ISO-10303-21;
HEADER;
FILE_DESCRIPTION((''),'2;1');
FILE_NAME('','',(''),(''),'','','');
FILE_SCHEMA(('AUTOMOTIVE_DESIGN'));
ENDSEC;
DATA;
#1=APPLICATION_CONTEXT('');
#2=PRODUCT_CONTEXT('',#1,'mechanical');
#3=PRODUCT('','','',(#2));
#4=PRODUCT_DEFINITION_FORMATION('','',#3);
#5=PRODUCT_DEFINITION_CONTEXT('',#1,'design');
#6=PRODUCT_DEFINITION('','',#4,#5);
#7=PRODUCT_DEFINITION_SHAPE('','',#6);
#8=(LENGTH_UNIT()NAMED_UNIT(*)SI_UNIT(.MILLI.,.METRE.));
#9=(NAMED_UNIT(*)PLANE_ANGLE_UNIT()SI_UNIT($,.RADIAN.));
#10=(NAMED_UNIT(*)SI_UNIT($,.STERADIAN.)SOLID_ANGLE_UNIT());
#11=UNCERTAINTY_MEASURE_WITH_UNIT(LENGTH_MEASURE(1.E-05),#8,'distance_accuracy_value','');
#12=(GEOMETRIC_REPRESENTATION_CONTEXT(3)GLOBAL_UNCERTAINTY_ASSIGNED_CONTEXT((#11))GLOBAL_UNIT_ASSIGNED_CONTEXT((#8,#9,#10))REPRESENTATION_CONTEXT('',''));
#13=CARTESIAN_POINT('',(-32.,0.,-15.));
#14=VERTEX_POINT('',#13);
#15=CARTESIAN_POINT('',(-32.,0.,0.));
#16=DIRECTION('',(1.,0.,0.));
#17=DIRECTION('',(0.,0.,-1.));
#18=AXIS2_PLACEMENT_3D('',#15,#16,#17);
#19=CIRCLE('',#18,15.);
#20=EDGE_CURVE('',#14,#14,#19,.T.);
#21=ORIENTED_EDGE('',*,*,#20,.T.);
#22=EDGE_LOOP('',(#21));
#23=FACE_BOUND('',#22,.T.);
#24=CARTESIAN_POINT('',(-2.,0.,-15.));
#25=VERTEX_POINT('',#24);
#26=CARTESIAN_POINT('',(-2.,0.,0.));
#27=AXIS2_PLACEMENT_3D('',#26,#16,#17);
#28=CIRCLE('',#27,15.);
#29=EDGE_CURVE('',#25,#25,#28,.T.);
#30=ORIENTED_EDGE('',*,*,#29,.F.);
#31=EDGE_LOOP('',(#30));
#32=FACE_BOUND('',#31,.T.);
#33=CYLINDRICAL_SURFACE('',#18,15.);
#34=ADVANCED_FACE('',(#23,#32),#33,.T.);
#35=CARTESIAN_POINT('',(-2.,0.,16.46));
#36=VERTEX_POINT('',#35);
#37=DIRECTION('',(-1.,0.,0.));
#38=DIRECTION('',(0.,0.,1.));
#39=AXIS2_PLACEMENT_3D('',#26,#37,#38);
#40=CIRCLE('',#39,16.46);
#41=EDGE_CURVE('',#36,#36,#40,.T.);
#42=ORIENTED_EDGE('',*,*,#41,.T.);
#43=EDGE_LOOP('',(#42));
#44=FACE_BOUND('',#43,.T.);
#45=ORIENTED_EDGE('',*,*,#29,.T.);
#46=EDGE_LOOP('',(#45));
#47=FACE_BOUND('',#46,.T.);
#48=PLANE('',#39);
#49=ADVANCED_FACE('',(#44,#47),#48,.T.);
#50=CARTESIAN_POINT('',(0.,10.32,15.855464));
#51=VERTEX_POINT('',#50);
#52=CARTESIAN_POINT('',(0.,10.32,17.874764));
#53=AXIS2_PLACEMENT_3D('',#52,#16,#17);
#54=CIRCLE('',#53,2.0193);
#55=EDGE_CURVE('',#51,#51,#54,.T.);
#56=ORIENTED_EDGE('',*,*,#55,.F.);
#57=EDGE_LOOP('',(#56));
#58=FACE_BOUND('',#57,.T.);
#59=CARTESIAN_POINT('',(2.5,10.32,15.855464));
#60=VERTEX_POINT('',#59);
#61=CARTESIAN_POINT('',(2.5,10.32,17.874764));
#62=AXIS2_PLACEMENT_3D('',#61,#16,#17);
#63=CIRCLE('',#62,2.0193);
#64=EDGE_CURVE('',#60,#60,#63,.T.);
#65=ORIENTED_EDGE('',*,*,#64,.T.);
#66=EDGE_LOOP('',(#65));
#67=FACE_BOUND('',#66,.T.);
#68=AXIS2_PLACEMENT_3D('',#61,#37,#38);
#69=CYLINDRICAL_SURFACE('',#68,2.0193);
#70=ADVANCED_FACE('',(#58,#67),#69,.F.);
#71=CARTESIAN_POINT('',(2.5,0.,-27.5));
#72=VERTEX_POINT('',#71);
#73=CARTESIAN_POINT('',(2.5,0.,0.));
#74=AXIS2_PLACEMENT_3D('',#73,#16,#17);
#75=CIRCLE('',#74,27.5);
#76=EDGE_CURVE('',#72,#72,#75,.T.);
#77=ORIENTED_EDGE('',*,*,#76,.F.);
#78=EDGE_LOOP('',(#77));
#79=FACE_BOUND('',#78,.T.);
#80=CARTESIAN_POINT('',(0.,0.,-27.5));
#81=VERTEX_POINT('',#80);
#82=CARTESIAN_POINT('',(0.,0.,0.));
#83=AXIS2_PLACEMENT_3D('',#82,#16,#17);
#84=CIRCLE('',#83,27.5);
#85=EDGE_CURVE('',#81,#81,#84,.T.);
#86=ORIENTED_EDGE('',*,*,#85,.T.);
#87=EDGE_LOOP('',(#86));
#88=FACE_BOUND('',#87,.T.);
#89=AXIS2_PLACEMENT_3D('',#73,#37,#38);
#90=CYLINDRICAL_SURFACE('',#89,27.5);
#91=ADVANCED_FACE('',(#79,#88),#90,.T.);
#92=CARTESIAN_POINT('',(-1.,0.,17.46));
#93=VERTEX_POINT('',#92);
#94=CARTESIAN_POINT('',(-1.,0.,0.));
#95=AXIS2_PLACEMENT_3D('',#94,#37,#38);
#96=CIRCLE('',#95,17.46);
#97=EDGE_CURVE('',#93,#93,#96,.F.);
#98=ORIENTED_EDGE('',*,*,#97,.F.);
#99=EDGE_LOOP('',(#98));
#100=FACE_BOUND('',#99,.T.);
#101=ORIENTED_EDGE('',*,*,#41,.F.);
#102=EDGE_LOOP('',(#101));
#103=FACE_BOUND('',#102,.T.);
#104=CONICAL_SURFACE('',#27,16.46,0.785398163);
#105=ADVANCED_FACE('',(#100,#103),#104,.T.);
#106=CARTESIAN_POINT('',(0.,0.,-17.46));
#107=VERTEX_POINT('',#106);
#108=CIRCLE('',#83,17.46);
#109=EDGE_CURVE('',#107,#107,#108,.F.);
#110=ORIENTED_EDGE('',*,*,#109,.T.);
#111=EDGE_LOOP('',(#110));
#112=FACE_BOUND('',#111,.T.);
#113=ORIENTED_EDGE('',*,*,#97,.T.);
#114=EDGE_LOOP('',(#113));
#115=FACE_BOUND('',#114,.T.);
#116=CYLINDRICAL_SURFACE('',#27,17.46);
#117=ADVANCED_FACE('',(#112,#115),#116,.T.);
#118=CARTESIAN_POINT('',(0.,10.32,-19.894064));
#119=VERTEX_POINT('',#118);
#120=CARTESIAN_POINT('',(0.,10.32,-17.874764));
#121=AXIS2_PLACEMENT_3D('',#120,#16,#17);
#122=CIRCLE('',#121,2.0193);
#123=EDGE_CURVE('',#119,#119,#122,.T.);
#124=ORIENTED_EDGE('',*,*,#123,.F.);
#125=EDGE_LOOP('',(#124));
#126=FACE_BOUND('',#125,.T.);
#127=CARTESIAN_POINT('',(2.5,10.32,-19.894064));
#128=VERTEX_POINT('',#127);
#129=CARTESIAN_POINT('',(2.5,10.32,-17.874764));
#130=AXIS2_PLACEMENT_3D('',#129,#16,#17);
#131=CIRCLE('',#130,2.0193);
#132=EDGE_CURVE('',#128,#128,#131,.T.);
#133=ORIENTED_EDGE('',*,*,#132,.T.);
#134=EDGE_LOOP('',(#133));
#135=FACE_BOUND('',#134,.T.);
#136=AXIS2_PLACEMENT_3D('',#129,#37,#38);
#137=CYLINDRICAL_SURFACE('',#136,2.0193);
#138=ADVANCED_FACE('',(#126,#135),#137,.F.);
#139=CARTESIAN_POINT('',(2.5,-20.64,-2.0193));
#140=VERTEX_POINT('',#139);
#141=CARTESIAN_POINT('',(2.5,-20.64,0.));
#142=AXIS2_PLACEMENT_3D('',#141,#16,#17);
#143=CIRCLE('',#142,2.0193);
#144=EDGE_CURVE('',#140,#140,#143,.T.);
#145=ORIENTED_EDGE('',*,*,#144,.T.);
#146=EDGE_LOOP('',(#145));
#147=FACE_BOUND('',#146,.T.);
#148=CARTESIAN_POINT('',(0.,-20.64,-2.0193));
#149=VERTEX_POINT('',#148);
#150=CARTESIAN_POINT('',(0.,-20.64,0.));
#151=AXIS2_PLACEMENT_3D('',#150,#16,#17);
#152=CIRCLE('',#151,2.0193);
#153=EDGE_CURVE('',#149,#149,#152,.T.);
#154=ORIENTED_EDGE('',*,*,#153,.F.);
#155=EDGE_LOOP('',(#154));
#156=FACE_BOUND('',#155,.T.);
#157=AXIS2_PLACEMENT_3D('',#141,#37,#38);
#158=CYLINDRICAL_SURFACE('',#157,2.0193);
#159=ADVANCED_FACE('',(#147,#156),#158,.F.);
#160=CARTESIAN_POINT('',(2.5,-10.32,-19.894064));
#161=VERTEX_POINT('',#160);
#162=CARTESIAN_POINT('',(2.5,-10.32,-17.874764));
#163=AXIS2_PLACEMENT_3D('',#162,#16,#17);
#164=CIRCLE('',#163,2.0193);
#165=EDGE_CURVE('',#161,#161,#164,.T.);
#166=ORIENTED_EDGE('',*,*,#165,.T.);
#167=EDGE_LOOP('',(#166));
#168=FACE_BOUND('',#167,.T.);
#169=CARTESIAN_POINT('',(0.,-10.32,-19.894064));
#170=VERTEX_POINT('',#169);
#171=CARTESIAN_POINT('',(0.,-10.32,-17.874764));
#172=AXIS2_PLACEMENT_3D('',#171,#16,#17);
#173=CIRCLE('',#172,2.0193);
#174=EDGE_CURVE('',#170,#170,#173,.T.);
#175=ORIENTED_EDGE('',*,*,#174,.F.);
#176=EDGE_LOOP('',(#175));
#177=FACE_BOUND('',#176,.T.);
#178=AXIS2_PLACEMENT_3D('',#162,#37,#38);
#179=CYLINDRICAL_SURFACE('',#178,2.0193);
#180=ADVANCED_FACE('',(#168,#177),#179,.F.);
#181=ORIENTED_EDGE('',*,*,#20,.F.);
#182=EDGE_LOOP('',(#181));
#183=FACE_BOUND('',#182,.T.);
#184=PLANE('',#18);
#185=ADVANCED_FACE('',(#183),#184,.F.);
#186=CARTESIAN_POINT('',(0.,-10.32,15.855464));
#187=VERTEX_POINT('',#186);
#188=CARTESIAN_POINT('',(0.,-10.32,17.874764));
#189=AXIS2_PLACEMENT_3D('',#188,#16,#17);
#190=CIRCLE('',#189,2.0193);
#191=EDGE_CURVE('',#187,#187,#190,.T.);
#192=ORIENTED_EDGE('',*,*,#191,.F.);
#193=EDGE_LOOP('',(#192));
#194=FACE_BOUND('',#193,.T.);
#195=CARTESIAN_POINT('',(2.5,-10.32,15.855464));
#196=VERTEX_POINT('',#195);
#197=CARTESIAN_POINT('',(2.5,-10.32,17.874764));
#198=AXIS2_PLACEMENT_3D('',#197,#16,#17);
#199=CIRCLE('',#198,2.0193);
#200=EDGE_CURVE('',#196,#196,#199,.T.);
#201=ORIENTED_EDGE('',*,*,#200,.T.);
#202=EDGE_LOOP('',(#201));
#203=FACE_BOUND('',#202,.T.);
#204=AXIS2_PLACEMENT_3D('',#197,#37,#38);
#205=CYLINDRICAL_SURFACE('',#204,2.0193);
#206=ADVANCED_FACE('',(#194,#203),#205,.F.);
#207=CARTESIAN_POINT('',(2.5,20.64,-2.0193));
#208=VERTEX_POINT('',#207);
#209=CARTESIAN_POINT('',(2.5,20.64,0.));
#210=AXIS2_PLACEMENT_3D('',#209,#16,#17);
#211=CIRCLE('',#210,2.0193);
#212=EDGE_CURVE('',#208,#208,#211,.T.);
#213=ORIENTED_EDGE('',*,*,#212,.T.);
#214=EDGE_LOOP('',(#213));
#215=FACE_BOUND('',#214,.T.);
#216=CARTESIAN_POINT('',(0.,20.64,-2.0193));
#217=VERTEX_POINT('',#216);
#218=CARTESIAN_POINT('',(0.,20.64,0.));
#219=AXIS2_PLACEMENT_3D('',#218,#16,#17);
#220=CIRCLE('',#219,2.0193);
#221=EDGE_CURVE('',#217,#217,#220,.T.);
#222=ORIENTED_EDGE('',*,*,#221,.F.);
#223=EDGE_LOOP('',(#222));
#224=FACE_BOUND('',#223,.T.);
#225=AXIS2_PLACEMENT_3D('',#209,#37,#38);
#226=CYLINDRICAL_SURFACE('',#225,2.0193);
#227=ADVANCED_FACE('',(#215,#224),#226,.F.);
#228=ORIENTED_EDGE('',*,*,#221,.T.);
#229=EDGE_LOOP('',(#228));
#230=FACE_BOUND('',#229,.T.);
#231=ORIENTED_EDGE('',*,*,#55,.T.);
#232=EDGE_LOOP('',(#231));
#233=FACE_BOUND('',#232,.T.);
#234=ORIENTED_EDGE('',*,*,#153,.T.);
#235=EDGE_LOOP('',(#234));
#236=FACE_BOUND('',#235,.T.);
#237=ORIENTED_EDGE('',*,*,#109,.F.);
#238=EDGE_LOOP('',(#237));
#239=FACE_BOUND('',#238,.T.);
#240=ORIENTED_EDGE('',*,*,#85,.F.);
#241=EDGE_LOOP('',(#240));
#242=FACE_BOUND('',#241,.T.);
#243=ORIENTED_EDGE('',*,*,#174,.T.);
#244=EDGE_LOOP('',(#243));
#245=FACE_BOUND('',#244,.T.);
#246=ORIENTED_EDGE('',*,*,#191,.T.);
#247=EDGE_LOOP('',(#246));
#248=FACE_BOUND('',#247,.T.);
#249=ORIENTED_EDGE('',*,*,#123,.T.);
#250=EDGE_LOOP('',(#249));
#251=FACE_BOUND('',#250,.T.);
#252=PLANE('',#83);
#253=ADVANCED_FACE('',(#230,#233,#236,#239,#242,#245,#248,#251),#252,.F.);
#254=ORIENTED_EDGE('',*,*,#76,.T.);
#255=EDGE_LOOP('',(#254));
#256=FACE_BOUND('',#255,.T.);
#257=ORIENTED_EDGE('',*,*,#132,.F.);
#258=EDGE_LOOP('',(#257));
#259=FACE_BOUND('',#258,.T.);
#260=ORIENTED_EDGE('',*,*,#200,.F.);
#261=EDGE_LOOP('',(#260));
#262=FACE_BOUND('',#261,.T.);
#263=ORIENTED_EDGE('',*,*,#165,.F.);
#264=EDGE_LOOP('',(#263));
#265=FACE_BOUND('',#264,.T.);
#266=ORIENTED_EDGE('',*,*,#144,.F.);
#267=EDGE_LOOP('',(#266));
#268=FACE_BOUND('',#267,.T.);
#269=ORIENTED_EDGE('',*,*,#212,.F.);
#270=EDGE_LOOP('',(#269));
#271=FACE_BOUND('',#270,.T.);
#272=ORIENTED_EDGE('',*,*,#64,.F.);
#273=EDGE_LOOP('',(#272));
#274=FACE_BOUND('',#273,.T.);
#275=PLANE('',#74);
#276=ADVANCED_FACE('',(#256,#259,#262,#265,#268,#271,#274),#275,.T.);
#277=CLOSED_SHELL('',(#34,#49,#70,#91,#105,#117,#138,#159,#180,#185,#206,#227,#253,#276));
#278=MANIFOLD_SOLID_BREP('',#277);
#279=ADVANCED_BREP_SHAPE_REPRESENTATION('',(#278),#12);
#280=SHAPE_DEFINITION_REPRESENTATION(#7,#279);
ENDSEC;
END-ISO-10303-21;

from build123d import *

# Parameters (mm, degrees)
SKETCH1_R           = 27.5
SKETCH1_R_2         = 2.0193
BOSS_EXTRUDE1_DEPTH = 2.5
SKETCH2_R           = 17.46
BOSS_EXTRUDE2_DEPTH = 2
CHAMFER5_SIZE       = 1
SKETCH6_R           = 15
BOSS_EXTRUDE3_DEPTH = 30


with BuildPart() as part:
    # Sketch1 → Boss-Extrude1 (new body)
    with BuildSketch(Plane(origin=(0, 0, 0), x_dir=(0, 0, -1), z_dir=(1, 0, 0))):
        Circle(SKETCH1_R)
        with Locations((0, 20.64)):
            Circle(SKETCH1_R_2, mode=Mode.SUBTRACT)
        with Locations((17.874764334, 10.32)):
            Circle(SKETCH1_R_2, mode=Mode.SUBTRACT)
        with Locations((17.874764334, -10.32)):
            Circle(SKETCH1_R_2, mode=Mode.SUBTRACT)
        with Locations((0, -20.64)):
            Circle(SKETCH1_R_2, mode=Mode.SUBTRACT)
        with Locations((-17.874764334, -10.32)):
            Circle(SKETCH1_R_2, mode=Mode.SUBTRACT)
        with Locations((-17.874764334, 10.32)):
            Circle(SKETCH1_R_2, mode=Mode.SUBTRACT)
    extrude(amount=BOSS_EXTRUDE1_DEPTH)

    # Sketch2 → Boss-Extrude2 (add)
    with BuildSketch(Plane.ZY):
        with Locations(Location((0, 0, 0), (0, 0, 180))):
            Circle(SKETCH2_R)
    extrude(amount=BOSS_EXTRUDE2_DEPTH)

    # Chamfer5
    chamfer5_edges = [part.edges().sort_by_distance(p)[0] for p in [
        (-2, 0, 17.46),
    ]]
    chamfer(chamfer5_edges, length=CHAMFER5_SIZE)

    # Sketch6 → Boss-Extrude3 (add)
    with BuildSketch(Plane(origin=(-2, 0, 0), x_dir=(0, 0, -1), z_dir=(1, 0, 0))):
        Circle(SKETCH6_R)
    extrude(amount=-BOSS_EXTRUDE3_DEPTH)


solid = part.part
